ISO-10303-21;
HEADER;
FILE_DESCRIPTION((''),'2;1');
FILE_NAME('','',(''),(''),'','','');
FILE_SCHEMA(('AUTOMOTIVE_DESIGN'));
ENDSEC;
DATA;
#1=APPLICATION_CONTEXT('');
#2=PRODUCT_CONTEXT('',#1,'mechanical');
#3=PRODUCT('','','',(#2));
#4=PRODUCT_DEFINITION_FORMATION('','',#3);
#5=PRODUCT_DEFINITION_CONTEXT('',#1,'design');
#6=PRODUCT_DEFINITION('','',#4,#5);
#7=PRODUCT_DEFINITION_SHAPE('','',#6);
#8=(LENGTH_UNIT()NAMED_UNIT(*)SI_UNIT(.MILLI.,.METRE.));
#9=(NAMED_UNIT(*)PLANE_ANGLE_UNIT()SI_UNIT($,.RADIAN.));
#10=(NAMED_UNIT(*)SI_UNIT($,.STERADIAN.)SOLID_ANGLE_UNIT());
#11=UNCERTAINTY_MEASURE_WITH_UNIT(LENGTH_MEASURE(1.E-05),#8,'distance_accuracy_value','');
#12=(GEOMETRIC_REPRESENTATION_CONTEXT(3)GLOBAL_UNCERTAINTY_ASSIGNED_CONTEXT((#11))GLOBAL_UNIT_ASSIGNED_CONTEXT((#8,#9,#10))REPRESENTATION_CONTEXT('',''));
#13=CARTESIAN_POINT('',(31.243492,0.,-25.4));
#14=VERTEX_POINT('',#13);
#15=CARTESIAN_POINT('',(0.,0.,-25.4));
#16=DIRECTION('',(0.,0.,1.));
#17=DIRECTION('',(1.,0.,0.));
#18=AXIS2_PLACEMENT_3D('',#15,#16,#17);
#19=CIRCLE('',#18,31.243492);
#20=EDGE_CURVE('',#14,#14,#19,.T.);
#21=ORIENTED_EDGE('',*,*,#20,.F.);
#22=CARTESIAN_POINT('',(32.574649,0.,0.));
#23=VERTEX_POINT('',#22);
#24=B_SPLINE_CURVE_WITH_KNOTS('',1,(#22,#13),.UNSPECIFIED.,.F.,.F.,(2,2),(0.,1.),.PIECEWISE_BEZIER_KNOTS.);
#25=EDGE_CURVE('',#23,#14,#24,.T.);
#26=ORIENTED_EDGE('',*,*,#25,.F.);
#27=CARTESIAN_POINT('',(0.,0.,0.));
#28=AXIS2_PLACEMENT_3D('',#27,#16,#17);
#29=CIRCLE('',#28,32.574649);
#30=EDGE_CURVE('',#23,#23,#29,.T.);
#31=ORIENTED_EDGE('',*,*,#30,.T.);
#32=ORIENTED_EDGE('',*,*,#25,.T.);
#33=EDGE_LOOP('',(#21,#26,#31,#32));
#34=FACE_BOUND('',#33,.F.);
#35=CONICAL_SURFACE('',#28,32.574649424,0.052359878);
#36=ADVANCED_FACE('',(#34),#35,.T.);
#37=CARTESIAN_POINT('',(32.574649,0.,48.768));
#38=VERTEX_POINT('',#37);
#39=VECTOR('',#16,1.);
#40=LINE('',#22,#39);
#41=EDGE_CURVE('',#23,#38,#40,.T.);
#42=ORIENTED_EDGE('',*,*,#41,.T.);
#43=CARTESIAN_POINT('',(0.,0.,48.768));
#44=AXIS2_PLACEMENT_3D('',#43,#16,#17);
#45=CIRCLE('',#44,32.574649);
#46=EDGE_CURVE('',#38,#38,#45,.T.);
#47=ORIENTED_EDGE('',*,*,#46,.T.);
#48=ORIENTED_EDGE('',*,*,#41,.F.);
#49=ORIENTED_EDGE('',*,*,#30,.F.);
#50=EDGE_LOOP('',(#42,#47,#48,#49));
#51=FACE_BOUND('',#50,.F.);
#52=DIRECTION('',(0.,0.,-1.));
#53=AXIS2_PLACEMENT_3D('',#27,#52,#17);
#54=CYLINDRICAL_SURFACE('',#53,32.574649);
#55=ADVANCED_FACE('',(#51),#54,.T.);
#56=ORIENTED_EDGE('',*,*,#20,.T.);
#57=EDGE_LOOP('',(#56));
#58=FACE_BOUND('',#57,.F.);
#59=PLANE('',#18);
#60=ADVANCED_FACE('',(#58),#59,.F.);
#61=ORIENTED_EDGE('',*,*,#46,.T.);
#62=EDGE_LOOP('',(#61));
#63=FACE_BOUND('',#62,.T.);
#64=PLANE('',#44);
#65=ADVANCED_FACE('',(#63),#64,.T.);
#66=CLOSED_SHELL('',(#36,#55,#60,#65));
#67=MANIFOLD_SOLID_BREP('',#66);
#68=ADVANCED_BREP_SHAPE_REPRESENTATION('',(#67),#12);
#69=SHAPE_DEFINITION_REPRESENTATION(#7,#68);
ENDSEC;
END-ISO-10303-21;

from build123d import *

# Parameters (mm, degrees)
F0_R          = 32.5746494239
F1_DEPTH      = 48.768
F1_DEPTH_BACK = 25.4
F1_TAPER_BACK = 3


with BuildPart() as f1:
    # F0 (on Top) → F1 (new body, two sides)
    with BuildSketch(Plane.XY) as f1_sk:
        Circle(F0_R)
    extrude(amount=F1_DEPTH)
    extrude(f1_sk.sketch, amount=-F1_DEPTH_BACK, taper=F1_TAPER_BACK)


solid = f1.part
